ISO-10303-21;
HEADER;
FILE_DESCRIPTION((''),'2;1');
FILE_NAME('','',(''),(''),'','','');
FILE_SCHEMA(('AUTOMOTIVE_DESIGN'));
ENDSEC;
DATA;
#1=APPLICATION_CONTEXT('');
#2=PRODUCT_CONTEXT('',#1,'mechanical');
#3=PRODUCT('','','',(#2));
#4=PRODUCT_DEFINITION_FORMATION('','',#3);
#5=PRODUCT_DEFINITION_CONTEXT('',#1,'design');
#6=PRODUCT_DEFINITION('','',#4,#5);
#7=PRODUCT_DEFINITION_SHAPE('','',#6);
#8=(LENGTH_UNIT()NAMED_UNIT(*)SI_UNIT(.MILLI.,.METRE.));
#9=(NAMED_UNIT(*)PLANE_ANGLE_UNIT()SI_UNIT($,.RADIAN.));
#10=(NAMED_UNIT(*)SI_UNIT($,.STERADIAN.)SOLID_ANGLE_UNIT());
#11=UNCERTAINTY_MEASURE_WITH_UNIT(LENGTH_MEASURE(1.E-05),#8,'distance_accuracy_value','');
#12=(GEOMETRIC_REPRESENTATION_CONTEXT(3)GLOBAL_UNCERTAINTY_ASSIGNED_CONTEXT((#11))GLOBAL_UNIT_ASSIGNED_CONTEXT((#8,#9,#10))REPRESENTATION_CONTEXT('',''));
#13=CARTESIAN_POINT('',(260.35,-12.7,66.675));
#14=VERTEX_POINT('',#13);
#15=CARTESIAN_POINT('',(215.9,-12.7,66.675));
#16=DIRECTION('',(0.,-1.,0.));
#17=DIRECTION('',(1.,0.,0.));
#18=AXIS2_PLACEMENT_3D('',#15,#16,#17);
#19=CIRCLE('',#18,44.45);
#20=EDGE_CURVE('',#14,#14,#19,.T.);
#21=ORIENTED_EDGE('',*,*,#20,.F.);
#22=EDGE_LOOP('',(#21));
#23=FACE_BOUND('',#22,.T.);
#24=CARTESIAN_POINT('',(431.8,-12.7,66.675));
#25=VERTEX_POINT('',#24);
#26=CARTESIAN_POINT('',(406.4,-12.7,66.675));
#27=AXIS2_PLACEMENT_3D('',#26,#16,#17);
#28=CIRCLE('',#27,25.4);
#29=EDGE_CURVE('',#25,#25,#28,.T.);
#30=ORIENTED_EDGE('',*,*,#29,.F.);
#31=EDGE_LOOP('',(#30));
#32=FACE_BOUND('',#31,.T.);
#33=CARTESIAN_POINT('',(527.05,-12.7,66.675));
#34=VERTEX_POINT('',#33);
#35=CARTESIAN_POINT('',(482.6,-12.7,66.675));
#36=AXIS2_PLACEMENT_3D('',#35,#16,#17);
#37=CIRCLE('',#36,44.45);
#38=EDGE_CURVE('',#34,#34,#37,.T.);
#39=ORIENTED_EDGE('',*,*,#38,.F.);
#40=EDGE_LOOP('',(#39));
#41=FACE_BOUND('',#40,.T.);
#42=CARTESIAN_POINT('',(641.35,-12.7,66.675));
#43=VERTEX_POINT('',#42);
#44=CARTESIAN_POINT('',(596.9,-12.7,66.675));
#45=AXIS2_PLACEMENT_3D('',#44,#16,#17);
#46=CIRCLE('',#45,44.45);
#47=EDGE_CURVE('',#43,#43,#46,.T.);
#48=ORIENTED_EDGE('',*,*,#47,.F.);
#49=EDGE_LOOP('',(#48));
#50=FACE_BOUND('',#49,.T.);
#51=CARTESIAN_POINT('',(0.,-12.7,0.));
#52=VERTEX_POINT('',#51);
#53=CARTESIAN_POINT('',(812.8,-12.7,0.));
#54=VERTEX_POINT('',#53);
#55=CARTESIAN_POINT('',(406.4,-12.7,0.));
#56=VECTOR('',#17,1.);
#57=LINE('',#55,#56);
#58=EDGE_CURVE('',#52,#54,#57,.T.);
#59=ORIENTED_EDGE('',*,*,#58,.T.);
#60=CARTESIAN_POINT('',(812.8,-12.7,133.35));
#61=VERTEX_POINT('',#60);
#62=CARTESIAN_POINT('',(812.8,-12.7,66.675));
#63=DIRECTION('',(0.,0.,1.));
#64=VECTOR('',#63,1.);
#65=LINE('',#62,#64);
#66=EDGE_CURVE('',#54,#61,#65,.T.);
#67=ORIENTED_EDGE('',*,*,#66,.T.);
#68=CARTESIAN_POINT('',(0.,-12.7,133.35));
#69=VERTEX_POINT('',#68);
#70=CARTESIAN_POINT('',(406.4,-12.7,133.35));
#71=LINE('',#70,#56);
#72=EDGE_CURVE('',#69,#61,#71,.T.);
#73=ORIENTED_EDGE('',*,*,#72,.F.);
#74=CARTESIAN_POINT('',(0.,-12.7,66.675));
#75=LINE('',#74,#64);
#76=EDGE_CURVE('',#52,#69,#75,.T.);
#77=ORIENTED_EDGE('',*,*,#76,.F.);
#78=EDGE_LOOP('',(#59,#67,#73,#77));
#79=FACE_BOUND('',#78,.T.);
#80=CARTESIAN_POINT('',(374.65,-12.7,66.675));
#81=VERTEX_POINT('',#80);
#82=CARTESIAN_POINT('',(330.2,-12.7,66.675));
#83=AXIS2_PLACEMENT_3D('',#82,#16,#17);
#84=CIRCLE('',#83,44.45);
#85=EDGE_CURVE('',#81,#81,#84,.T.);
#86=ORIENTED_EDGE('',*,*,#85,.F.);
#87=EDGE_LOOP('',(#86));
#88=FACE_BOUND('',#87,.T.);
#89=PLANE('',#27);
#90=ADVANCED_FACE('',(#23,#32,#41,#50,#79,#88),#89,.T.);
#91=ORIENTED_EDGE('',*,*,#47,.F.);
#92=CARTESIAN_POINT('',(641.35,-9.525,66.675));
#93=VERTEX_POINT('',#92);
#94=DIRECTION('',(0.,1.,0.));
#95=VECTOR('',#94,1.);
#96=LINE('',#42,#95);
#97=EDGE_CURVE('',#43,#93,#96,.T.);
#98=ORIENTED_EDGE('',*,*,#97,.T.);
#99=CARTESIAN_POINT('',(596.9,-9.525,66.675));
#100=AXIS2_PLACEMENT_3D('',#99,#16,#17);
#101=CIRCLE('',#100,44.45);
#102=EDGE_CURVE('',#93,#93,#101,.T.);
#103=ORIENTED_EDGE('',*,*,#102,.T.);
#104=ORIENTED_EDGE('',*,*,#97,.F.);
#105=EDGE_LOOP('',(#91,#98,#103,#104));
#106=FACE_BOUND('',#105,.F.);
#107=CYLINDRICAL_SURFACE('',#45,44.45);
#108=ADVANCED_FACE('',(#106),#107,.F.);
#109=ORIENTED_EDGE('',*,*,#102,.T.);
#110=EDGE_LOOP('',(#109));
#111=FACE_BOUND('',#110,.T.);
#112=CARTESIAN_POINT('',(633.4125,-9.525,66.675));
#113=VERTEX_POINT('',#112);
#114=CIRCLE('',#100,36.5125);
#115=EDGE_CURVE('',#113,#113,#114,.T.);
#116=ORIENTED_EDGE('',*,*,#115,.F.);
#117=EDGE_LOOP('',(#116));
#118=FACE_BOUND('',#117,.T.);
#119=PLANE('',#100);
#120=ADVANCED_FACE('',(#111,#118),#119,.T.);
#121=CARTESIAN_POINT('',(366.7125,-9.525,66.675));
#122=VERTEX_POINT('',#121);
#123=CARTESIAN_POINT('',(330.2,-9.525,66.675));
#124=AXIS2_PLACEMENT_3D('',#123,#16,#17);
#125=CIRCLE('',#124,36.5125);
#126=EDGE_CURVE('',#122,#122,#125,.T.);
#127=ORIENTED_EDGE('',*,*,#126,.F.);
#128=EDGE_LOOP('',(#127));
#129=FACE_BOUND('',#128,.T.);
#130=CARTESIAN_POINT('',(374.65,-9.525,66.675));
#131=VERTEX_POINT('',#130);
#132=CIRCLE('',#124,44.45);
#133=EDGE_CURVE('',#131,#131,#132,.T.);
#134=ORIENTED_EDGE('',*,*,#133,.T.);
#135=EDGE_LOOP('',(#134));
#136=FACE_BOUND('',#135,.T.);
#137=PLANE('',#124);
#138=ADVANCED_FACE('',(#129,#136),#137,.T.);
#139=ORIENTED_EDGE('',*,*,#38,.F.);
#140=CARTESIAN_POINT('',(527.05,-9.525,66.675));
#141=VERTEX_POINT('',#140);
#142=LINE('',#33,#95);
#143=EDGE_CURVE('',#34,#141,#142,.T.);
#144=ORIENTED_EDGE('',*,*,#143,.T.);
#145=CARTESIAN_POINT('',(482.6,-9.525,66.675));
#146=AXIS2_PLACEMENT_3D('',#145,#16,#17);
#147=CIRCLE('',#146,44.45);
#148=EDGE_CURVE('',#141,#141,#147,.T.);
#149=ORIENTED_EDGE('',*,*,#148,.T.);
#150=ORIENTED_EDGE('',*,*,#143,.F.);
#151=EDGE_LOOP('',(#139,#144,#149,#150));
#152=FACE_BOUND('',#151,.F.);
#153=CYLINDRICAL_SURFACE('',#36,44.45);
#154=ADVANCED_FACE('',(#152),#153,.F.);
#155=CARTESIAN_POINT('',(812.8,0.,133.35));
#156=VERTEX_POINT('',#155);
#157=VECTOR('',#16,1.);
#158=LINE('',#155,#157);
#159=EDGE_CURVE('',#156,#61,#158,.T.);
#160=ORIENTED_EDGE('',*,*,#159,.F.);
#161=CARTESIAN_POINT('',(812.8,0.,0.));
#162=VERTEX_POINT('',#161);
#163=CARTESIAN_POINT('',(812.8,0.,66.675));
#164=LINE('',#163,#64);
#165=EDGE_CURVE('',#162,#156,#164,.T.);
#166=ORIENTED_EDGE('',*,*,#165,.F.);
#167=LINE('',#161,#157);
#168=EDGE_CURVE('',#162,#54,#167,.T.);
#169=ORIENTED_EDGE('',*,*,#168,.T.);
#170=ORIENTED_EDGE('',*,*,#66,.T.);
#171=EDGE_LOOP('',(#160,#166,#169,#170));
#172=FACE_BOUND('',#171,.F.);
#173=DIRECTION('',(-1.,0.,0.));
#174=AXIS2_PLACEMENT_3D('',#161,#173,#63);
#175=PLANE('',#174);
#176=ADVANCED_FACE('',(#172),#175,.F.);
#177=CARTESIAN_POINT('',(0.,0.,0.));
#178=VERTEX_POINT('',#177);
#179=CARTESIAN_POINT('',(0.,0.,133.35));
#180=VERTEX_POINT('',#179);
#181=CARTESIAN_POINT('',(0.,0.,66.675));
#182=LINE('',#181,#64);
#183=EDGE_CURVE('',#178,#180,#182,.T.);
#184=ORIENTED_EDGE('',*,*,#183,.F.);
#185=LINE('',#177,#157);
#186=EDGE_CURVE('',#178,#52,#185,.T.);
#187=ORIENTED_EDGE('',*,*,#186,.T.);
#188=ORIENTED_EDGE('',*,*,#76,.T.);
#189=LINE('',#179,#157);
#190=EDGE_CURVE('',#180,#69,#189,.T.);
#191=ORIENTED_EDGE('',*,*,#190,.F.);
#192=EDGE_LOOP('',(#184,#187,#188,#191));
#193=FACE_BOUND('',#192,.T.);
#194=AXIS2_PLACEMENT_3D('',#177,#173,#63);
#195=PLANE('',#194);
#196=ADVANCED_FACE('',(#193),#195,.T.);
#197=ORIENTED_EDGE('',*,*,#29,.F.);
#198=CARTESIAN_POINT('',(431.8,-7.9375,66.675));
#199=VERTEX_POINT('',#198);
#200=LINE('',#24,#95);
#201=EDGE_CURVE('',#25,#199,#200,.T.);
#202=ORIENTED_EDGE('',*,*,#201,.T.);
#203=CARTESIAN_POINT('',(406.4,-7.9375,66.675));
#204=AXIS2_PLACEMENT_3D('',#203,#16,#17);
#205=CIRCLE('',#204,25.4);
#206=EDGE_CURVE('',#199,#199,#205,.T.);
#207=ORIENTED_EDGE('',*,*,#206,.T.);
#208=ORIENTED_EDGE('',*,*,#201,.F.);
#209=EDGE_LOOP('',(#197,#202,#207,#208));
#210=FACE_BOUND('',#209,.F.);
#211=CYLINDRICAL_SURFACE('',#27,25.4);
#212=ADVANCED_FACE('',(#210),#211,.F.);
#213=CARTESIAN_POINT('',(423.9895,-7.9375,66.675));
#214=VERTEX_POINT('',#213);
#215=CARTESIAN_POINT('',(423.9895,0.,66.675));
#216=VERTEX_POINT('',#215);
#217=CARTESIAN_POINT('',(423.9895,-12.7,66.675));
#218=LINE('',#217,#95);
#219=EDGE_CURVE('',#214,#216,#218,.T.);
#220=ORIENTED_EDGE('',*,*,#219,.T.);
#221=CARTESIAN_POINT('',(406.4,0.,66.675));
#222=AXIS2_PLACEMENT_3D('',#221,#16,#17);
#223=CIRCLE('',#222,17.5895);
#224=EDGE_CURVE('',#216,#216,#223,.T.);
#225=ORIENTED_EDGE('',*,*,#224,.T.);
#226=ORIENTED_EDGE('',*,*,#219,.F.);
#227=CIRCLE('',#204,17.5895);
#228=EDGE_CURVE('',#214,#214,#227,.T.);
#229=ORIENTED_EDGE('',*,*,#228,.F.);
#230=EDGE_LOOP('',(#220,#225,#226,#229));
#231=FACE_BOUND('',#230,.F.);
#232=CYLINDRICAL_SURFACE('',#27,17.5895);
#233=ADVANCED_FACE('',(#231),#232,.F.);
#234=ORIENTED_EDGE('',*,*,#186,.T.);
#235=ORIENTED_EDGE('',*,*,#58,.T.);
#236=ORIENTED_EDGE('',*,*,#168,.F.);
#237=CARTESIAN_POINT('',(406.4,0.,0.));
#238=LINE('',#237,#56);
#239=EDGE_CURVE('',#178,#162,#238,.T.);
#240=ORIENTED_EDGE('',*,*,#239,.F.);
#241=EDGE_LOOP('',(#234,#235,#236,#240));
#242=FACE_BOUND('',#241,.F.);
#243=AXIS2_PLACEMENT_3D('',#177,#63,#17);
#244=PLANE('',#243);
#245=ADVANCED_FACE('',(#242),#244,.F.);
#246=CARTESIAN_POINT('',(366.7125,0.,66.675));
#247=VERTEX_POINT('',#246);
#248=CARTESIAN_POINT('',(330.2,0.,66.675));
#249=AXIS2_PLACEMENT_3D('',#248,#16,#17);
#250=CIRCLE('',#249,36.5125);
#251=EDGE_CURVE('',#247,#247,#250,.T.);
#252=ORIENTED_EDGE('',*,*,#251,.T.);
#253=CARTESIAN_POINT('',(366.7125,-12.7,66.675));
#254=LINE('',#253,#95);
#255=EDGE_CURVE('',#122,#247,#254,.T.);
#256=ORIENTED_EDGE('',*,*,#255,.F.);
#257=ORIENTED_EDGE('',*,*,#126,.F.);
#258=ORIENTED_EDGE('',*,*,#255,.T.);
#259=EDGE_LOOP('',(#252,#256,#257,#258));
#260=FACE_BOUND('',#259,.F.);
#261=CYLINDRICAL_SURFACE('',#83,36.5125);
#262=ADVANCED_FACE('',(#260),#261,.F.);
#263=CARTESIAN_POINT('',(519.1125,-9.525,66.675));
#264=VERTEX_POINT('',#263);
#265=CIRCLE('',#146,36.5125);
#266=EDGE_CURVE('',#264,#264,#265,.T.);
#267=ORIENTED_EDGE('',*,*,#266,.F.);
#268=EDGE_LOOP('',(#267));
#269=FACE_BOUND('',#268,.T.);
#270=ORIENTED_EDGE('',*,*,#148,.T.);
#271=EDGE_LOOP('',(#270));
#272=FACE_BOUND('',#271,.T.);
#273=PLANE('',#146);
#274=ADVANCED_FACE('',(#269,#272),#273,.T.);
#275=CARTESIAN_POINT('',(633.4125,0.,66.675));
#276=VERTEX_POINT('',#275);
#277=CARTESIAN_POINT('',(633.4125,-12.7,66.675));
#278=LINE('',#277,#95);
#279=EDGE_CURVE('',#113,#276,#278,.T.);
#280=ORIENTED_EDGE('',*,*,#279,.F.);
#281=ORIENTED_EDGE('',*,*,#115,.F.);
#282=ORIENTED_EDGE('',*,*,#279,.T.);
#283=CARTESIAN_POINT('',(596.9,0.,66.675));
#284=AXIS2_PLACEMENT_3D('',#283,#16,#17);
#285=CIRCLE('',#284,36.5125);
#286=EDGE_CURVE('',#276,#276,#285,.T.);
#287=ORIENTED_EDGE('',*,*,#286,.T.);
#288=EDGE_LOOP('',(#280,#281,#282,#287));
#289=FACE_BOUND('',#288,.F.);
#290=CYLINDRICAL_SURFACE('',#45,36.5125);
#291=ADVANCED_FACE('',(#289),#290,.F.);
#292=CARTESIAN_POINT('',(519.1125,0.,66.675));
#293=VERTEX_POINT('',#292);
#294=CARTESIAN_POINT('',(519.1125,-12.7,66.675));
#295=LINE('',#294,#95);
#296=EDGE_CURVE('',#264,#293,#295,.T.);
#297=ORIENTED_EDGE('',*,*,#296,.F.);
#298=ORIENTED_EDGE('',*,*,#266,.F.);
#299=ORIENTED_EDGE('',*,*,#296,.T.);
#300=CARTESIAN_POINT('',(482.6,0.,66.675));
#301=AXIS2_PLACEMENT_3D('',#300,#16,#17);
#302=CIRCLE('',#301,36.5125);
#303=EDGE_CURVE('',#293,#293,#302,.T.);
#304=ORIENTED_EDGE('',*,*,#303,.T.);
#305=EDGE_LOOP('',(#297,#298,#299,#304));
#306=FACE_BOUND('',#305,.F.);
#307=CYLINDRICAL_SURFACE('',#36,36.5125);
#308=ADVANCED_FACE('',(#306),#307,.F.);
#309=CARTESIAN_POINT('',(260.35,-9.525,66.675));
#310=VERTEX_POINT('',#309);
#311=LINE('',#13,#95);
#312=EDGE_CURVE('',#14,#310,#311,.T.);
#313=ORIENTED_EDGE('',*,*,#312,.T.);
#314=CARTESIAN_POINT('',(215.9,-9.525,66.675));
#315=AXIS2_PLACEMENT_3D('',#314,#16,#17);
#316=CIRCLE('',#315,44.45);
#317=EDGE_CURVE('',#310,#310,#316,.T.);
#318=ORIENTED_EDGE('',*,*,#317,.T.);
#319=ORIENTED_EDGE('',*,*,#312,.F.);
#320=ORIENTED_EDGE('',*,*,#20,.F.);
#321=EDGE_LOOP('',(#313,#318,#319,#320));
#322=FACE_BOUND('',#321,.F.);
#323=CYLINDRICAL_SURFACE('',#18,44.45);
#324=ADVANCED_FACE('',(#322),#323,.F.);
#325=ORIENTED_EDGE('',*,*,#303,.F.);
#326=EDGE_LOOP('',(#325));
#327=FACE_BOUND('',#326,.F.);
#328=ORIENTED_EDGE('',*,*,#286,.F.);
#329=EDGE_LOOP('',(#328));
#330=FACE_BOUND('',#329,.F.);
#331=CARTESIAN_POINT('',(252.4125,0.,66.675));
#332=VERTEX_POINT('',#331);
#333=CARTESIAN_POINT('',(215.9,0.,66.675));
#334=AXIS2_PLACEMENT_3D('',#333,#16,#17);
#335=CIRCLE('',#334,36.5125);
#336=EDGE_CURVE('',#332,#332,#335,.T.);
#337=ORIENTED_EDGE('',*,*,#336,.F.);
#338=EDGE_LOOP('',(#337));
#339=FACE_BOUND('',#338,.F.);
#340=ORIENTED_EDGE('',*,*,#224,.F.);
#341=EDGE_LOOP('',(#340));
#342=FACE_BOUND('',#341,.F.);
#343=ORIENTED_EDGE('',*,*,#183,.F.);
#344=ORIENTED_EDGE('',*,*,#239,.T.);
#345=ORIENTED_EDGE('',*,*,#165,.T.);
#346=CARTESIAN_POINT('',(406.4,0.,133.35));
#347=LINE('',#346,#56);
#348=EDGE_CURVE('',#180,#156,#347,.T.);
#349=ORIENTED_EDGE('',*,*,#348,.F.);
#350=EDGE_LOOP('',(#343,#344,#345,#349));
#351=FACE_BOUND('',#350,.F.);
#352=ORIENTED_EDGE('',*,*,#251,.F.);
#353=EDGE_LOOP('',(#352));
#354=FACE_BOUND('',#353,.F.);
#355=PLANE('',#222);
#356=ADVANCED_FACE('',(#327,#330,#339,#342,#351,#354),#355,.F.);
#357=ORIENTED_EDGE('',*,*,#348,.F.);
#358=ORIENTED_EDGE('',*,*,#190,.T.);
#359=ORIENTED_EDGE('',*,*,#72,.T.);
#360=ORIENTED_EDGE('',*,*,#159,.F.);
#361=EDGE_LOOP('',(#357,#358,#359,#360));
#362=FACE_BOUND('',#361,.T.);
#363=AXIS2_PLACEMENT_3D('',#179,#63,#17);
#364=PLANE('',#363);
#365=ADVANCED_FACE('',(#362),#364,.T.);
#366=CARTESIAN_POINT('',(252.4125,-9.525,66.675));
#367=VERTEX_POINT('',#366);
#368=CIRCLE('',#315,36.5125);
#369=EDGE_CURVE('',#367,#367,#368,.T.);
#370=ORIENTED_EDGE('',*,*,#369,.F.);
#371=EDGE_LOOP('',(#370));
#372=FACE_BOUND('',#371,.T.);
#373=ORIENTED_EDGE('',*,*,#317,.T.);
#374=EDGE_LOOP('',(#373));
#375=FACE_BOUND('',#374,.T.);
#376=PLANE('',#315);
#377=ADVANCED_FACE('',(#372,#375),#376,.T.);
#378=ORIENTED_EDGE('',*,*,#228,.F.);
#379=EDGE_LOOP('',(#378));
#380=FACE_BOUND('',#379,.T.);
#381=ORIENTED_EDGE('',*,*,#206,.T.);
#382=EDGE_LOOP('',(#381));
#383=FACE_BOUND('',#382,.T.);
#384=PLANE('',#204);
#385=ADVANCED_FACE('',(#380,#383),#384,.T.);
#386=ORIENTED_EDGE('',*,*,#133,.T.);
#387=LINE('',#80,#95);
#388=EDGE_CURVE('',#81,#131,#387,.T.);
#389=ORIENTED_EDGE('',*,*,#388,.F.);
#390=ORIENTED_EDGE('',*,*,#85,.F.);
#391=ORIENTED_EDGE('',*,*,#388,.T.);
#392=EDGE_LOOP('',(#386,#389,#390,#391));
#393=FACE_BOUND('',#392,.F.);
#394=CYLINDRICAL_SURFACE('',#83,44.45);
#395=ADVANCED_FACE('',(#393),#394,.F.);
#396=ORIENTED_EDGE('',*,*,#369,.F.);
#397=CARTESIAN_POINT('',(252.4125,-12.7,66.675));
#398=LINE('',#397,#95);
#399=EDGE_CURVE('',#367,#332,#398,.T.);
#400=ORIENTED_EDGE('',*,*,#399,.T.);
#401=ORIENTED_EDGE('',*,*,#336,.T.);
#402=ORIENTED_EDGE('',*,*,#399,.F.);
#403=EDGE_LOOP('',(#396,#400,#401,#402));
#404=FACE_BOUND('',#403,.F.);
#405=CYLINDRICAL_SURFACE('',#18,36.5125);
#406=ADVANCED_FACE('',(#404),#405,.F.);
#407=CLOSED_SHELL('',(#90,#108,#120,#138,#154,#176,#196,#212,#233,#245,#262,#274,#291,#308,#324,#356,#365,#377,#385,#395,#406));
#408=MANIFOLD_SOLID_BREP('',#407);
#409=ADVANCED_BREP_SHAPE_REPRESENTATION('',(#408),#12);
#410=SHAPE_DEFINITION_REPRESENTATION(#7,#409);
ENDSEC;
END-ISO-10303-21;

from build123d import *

# Parameters (mm, degrees)
SKETCH_W        = 812.8
SKETCH_H        = 133.35
PAD_DEPTH       = 12.7
SKETCH001_R     = 17.5895
SKETCH001_R_2   = 36.5125
POCKET_DEPTH    = 12.701
SKETCH002_R     = 44.45
POCKET001_DEPTH = 3.175
SKETCH003_R     = 25.4
POCKET002_DEPTH = 4.7625


with BuildPart() as part:
    # Sketch → Pad (new body)
    with BuildSketch(Plane.XZ):
        with Locations((406.4, 66.675)):
            Rectangle(SKETCH_W, SKETCH_H)
    extrude(amount=PAD_DEPTH)

    # Sketch001 (on Face6 of Pad) → Pocket (cut, through all)
    with BuildSketch(Plane.XZ.offset(12.7)):
        with Locations((406.4, 66.675)):
            Circle(SKETCH001_R)
        with Locations((330.2, 66.675)):
            Circle(SKETCH001_R_2)
        with Locations((215.9, 66.675)):
            Circle(SKETCH001_R_2)
        with Locations((596.9, 66.675)):
            Circle(SKETCH001_R_2)
        with Locations((482.6, 66.675)):
            Circle(SKETCH001_R_2)
    extrude(amount=-POCKET_DEPTH, mode=Mode.SUBTRACT)

    # Sketch002 (on Face5 of Pocket) → Pocket001 (cut)
    with BuildSketch(Plane.XZ.offset(12.7)):
        with Locations((215.9, 66.675)):
            Circle(SKETCH002_R)
        with Locations((330.2, 66.675)):
            Circle(SKETCH002_R)
        with Locations((482.6, 66.675)):
            Circle(SKETCH002_R)
        with Locations((596.9, 66.675)):
            Circle(SKETCH002_R)
    extrude(amount=-POCKET001_DEPTH, mode=Mode.SUBTRACT)

    # Sketch003 (on Face5 of Pocket001) → Pocket002 (cut)
    with BuildSketch(Plane.XZ.offset(12.7)):
        with Locations((406.4, 66.675)):
            Circle(SKETCH003_R)
    extrude(amount=-POCKET002_DEPTH, mode=Mode.SUBTRACT)


solid = part.part
